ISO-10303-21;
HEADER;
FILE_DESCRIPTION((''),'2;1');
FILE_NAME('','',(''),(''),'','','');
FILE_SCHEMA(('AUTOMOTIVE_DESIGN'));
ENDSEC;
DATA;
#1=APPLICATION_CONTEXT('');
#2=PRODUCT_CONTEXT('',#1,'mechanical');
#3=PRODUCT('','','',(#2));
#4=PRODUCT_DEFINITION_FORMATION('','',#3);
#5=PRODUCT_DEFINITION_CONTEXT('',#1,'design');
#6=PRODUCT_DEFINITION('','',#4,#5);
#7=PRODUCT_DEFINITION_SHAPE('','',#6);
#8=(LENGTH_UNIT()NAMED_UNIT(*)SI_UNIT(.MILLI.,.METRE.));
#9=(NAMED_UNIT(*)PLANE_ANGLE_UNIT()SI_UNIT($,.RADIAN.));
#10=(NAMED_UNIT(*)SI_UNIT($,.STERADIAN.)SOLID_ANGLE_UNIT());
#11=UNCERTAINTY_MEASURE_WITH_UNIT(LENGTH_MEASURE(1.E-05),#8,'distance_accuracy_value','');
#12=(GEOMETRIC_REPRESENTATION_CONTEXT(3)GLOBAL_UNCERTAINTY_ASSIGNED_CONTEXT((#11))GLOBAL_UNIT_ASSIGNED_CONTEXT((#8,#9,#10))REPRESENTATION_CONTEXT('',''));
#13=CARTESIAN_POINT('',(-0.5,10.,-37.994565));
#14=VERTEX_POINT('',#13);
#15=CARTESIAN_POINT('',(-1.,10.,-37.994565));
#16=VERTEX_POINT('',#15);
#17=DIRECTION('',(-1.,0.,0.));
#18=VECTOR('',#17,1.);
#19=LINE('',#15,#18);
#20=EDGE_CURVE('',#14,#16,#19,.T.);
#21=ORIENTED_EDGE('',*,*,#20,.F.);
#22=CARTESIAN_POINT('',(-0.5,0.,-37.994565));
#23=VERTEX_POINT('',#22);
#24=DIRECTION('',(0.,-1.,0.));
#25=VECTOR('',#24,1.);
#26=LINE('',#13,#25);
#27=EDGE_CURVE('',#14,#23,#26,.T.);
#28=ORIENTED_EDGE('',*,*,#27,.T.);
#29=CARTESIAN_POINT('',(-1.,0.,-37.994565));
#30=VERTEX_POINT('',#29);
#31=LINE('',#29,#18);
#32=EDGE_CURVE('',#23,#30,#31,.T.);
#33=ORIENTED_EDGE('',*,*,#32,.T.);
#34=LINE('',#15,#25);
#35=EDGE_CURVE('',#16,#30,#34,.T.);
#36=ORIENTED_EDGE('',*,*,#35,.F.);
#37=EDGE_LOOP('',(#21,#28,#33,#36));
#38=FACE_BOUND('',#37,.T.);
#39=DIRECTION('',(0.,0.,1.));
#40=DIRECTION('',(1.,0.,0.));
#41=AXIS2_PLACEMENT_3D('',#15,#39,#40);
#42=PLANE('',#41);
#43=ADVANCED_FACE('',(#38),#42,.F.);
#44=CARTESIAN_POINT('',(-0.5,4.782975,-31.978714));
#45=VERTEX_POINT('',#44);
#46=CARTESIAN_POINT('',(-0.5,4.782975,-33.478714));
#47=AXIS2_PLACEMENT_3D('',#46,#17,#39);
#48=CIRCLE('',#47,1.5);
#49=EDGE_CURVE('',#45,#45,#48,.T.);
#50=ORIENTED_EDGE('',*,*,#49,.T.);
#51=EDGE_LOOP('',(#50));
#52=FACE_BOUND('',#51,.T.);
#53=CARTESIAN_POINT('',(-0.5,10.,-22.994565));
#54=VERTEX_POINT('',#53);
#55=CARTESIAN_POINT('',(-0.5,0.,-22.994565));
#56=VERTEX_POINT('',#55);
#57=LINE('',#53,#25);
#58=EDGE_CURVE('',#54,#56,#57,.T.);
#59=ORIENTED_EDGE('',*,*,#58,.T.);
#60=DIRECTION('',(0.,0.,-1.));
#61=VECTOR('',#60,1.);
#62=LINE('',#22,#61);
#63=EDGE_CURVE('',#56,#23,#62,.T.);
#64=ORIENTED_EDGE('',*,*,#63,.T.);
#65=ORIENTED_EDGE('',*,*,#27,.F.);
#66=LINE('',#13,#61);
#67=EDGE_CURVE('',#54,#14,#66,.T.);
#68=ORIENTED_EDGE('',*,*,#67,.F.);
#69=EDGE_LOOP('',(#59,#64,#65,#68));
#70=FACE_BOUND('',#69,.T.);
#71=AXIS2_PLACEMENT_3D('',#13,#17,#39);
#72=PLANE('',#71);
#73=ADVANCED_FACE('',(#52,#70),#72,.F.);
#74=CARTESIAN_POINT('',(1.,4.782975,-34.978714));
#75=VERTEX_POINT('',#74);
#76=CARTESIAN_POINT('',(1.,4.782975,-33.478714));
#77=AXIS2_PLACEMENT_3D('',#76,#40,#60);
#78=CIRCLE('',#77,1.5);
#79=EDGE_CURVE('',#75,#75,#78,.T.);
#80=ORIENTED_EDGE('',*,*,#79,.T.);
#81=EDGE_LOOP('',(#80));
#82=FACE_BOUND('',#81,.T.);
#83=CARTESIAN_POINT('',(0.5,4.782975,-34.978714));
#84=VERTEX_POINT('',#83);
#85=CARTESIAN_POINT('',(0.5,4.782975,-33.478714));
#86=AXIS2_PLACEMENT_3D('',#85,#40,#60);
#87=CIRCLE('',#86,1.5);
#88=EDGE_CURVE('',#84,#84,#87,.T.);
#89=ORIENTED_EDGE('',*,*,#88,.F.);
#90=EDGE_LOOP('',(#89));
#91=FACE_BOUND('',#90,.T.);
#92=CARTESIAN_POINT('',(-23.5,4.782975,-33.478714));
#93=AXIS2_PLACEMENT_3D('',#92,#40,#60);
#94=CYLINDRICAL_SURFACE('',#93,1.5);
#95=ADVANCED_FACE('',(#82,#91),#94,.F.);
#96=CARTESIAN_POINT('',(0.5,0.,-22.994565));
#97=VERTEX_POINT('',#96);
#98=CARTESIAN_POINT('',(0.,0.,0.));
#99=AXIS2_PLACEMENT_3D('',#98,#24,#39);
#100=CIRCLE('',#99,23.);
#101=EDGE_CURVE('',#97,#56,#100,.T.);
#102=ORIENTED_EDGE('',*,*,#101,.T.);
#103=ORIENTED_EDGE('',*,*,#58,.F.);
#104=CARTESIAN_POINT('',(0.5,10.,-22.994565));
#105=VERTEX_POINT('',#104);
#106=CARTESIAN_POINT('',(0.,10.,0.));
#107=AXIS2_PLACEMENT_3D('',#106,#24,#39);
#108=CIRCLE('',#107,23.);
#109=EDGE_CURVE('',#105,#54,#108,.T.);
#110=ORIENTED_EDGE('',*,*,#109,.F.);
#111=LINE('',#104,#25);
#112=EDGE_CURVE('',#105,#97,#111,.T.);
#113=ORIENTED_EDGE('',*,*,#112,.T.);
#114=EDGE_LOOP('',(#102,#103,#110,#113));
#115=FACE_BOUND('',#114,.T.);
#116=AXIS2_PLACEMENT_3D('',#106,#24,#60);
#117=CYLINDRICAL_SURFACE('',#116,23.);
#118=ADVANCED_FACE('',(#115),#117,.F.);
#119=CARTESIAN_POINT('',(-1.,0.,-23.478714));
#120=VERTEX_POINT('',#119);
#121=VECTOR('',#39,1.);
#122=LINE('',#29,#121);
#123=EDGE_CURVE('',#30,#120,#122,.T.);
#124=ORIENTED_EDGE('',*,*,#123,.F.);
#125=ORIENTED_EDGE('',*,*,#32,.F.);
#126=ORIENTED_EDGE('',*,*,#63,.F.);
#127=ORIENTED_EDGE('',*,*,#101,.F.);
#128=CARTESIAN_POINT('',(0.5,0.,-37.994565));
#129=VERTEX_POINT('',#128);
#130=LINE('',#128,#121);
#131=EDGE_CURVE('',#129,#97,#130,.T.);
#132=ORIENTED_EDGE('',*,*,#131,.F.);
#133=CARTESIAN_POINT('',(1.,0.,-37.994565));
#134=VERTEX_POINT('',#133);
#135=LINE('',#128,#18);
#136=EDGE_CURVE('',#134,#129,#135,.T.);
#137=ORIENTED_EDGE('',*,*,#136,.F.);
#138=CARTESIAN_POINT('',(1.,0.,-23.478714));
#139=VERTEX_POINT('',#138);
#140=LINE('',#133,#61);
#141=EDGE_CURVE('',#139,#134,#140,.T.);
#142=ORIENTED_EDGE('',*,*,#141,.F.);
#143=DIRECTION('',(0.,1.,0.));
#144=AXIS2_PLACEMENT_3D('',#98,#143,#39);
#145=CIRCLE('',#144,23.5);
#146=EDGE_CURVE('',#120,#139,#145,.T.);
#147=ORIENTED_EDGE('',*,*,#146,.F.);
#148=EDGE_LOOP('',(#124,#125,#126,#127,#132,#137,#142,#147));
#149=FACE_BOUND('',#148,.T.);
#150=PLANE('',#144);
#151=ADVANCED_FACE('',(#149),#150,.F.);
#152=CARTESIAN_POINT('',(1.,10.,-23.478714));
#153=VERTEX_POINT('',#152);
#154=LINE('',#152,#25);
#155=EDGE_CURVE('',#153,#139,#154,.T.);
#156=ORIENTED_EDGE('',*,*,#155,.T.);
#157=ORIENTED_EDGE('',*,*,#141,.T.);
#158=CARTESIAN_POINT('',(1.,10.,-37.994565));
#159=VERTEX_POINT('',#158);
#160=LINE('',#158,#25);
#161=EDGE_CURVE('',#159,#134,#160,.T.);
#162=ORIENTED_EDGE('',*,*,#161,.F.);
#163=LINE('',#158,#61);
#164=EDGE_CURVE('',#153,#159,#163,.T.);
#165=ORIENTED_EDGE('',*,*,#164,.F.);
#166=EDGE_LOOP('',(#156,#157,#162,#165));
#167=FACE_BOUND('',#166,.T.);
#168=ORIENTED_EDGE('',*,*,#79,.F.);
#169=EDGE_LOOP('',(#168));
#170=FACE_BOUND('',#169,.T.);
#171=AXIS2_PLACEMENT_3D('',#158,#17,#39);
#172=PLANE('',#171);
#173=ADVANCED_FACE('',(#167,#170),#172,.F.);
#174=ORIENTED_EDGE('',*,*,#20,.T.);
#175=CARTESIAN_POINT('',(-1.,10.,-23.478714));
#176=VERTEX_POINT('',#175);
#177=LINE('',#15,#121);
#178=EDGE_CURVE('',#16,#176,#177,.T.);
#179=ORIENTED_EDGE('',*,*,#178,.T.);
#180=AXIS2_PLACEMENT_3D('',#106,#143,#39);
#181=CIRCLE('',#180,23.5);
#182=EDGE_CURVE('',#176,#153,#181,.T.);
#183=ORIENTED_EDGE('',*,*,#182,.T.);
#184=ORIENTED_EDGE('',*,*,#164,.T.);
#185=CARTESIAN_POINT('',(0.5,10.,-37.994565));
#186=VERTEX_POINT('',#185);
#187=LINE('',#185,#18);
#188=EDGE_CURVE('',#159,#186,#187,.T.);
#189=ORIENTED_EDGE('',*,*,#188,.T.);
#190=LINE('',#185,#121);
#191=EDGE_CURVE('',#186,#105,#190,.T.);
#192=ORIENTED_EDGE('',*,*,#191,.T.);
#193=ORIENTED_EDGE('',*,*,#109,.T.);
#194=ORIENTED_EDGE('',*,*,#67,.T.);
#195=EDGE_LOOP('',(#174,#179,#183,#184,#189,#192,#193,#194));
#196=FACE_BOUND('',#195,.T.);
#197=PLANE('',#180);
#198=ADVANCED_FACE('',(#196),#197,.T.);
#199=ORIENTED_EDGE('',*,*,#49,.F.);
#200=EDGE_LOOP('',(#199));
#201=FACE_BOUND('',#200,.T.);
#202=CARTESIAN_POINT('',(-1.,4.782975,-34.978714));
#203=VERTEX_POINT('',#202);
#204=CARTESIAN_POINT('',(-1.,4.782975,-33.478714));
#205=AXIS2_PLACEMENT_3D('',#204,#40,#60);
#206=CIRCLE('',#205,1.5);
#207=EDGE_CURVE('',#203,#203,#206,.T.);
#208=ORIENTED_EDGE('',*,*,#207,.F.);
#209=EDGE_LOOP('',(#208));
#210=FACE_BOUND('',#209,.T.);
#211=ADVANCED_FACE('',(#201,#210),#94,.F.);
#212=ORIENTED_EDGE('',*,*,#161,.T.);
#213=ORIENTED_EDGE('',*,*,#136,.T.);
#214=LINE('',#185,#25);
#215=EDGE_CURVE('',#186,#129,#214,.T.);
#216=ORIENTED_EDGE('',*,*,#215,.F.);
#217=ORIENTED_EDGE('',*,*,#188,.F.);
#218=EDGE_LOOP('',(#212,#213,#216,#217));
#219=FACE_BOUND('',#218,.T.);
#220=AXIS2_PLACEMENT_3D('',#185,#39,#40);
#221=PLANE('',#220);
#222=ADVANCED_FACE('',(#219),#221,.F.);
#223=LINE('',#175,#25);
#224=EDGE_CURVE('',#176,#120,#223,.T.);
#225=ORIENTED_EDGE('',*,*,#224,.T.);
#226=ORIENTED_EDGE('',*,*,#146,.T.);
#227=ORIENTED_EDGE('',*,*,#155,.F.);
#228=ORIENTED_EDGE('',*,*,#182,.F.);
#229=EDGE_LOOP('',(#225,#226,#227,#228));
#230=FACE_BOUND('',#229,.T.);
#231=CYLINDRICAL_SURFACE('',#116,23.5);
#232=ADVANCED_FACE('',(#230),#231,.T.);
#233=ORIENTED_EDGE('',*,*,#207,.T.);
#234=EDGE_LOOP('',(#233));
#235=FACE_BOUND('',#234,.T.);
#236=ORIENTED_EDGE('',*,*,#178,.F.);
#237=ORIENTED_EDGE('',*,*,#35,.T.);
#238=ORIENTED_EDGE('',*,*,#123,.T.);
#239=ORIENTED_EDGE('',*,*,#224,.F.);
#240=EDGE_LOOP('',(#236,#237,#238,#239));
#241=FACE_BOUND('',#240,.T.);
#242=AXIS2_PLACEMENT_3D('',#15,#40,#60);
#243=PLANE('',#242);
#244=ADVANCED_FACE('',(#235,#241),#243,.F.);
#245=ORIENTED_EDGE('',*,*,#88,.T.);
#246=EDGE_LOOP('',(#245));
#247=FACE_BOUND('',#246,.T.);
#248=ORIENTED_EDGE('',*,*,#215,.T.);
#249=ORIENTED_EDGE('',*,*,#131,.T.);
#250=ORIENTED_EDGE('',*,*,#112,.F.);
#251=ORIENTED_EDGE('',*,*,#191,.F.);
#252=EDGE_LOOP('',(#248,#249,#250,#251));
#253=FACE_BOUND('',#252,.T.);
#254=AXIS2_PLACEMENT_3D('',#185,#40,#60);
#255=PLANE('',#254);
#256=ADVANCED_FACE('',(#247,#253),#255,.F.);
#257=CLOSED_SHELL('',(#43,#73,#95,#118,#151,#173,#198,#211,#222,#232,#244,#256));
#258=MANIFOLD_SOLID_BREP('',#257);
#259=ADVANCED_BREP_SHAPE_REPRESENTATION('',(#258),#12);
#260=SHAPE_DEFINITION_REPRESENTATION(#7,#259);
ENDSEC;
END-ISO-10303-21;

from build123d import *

# Parameters (mm, degrees)
BOSS_EXTRUDE1_DEPTH = 10
SKETCH2_R           = 1.5
CUT_EXTRUDE1_DEPTH  = 25.5


with BuildPart() as part:
    # Sketch1 → Boss-Extrude1 (new body)
    with BuildSketch(Plane(origin=(0, 0, 0), x_dir=(1, 0, 0), z_dir=(0, 1, 0))):
        with BuildLine():
            Line((-0.5, 37.994564575), (-0.5, 22.994564575))
            ThreePointArc((-0.5, 22.994564575), (0, -23), (0.5, 22.994564575))
            Line((0.5, 22.994564575), (0.5, 37.994564575))
            Line((0.5, 37.994564575), (1, 37.994564575))
            Line((1, 37.994564575), (1, 23.478713764))
            ThreePointArc((1, 23.478713764), (0, -23.5), (-1, 23.478713764))
            Line((-1, 23.478713764), (-1, 37.994564575))
            Line((-1, 37.994564575), (-0.5, 37.994564575))
        make_face()
    extrude(amount=BOSS_EXTRUDE1_DEPTH)

    # Sketch2 → Cut-Extrude1 (cut, through all)
    with BuildSketch(Plane(origin=(1, 0, 0), x_dir=(0, 0, -1), z_dir=(1, 0, 0))):
        with Locations((33.478713764, 4.782975317)):
            Circle(SKETCH2_R)
    extrude(amount=-CUT_EXTRUDE1_DEPTH, mode=Mode.SUBTRACT)


solid = part.part
